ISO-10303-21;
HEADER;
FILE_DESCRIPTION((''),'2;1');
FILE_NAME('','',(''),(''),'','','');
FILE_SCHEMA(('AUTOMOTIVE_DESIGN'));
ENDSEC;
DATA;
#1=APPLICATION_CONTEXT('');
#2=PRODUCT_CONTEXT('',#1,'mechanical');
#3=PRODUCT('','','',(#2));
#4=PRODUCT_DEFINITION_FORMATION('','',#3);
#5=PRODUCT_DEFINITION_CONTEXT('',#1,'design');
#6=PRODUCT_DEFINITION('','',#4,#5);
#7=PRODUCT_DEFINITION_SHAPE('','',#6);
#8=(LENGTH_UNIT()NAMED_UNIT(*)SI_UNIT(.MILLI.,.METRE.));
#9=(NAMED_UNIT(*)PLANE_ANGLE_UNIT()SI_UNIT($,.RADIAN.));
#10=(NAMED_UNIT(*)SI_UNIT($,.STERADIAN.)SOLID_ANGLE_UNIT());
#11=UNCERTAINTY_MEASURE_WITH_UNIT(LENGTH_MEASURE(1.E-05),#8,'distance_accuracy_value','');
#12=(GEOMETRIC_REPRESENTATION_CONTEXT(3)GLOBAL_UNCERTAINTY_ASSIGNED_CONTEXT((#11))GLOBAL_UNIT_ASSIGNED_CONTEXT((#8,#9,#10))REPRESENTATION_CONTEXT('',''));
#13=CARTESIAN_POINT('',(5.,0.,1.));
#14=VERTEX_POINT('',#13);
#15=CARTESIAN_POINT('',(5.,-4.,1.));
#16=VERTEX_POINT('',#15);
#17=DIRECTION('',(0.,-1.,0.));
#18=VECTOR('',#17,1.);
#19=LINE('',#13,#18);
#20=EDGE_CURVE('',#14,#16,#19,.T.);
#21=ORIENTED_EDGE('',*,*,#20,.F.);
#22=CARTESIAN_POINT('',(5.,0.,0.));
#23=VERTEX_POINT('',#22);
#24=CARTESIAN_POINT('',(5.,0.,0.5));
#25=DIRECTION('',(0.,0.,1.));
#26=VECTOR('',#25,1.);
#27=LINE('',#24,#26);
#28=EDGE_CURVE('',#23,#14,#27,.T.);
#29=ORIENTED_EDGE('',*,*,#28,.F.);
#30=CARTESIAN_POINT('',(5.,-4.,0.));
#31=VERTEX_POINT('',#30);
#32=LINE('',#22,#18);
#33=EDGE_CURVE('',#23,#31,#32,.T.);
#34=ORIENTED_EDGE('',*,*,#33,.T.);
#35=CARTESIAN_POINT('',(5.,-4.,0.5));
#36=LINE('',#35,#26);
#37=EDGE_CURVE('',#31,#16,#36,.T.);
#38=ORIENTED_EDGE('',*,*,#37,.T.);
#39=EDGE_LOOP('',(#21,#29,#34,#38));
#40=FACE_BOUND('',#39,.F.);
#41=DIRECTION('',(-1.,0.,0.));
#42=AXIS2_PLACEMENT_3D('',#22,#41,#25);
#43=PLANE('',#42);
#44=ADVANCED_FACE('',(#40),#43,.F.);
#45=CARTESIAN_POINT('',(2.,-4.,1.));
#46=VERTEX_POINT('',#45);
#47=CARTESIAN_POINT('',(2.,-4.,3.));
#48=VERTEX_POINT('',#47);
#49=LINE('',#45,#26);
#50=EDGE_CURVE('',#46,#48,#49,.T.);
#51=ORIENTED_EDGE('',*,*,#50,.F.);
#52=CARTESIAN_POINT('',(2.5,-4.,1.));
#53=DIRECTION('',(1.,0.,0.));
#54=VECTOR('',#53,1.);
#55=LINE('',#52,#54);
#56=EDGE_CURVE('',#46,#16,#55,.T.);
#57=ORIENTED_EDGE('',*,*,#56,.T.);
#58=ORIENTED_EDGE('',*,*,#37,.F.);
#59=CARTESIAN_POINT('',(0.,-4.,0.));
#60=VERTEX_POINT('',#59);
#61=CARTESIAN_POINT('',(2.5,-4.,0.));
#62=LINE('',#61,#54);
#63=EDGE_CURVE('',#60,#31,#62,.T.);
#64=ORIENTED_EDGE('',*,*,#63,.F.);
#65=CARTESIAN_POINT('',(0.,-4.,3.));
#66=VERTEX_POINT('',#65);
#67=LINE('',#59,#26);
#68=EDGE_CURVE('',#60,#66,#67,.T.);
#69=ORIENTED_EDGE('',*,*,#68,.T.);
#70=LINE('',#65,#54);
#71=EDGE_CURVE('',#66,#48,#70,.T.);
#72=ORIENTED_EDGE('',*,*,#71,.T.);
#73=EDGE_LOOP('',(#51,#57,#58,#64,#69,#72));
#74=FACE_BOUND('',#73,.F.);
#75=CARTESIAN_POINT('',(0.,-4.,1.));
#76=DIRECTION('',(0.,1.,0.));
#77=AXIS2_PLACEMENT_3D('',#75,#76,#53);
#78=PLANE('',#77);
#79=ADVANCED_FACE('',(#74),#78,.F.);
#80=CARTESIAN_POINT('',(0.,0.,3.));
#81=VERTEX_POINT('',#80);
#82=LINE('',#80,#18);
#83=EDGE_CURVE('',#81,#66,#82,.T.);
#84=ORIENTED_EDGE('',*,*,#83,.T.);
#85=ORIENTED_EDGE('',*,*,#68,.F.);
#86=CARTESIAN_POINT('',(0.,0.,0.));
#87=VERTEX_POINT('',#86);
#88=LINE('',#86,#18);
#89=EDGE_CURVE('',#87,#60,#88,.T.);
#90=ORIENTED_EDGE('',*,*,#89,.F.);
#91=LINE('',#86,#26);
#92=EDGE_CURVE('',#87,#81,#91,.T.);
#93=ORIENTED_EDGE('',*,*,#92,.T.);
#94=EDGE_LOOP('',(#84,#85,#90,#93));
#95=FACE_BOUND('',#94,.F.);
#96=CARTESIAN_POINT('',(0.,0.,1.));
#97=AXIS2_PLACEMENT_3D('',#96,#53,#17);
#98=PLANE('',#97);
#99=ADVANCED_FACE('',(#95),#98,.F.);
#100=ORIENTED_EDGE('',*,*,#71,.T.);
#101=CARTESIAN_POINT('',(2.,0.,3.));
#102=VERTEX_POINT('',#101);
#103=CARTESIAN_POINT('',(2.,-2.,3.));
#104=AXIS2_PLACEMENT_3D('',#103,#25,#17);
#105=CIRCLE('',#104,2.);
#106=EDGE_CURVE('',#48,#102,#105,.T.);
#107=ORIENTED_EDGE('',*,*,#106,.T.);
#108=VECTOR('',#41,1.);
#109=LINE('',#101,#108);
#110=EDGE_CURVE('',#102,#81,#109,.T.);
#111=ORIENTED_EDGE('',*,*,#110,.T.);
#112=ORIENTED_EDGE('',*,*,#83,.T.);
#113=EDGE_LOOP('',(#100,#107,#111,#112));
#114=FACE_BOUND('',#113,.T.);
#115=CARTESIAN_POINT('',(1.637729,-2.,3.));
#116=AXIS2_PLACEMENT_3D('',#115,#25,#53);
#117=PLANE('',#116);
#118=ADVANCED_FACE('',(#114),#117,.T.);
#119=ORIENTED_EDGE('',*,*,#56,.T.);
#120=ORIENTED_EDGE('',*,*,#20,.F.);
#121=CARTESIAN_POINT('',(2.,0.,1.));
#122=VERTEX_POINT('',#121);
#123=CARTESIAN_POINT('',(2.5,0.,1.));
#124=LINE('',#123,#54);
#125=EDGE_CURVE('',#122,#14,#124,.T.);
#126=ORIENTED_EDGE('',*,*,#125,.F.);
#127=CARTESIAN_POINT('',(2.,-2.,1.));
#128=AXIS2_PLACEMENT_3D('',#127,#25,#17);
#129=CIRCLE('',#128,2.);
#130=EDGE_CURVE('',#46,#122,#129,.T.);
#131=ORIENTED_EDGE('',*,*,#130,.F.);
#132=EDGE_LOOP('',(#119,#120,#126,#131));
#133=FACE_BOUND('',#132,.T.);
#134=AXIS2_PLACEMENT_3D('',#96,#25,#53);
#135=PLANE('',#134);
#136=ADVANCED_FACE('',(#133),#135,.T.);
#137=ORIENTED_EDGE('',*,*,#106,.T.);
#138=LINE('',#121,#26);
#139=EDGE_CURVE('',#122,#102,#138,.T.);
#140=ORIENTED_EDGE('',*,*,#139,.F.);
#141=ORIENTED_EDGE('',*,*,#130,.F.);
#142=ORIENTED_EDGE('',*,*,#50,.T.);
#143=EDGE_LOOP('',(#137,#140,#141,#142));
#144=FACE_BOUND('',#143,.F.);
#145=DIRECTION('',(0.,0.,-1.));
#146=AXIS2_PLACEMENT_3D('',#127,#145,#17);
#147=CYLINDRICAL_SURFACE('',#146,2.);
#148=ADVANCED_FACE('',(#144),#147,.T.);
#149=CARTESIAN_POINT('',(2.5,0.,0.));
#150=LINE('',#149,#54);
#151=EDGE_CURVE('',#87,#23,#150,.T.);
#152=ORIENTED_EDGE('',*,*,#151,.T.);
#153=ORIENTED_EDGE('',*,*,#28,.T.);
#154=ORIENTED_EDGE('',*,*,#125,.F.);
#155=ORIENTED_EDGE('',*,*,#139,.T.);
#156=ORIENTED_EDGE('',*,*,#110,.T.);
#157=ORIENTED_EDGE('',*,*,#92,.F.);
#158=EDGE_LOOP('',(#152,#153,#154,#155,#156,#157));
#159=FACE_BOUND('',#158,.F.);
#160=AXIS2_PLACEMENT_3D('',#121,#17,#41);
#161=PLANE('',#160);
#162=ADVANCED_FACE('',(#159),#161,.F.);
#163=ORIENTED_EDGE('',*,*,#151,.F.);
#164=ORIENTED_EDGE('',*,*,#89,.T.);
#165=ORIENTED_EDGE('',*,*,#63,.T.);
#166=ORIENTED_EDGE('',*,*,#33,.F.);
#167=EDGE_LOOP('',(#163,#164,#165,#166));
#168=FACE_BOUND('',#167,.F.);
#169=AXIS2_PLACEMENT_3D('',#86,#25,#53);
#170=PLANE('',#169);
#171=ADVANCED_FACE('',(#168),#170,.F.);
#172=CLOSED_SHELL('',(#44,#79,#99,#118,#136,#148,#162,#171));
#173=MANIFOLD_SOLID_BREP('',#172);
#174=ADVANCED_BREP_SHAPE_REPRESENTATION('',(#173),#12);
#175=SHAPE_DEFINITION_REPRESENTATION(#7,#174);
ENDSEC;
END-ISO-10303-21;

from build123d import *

# Parameters (mm, degrees)
F0_W     = 5
F0_H     = 1
F1_DEPTH = 4
F3_DEPTH = 2


with BuildPart() as f1:
    # F0 (on Front) → F1 (new body)
    with BuildSketch(Plane.XZ):
        with Locations((2.5, 0.5)):
            Rectangle(F0_W, F0_H)
    extrude(amount=F1_DEPTH)

    # F2 (on face) → F3 (join)
    with BuildSketch(Plane.XY.offset(1)):
        with BuildLine():
            Line((2, 0), (0, 0))
            Line((0, 0), (0, -4))
            Line((0, -4), (2, -4))
            ThreePointArc((2, -4), (4, -2), (2, 0))
        make_face()
    extrude(amount=F3_DEPTH)


solid = f1.part
